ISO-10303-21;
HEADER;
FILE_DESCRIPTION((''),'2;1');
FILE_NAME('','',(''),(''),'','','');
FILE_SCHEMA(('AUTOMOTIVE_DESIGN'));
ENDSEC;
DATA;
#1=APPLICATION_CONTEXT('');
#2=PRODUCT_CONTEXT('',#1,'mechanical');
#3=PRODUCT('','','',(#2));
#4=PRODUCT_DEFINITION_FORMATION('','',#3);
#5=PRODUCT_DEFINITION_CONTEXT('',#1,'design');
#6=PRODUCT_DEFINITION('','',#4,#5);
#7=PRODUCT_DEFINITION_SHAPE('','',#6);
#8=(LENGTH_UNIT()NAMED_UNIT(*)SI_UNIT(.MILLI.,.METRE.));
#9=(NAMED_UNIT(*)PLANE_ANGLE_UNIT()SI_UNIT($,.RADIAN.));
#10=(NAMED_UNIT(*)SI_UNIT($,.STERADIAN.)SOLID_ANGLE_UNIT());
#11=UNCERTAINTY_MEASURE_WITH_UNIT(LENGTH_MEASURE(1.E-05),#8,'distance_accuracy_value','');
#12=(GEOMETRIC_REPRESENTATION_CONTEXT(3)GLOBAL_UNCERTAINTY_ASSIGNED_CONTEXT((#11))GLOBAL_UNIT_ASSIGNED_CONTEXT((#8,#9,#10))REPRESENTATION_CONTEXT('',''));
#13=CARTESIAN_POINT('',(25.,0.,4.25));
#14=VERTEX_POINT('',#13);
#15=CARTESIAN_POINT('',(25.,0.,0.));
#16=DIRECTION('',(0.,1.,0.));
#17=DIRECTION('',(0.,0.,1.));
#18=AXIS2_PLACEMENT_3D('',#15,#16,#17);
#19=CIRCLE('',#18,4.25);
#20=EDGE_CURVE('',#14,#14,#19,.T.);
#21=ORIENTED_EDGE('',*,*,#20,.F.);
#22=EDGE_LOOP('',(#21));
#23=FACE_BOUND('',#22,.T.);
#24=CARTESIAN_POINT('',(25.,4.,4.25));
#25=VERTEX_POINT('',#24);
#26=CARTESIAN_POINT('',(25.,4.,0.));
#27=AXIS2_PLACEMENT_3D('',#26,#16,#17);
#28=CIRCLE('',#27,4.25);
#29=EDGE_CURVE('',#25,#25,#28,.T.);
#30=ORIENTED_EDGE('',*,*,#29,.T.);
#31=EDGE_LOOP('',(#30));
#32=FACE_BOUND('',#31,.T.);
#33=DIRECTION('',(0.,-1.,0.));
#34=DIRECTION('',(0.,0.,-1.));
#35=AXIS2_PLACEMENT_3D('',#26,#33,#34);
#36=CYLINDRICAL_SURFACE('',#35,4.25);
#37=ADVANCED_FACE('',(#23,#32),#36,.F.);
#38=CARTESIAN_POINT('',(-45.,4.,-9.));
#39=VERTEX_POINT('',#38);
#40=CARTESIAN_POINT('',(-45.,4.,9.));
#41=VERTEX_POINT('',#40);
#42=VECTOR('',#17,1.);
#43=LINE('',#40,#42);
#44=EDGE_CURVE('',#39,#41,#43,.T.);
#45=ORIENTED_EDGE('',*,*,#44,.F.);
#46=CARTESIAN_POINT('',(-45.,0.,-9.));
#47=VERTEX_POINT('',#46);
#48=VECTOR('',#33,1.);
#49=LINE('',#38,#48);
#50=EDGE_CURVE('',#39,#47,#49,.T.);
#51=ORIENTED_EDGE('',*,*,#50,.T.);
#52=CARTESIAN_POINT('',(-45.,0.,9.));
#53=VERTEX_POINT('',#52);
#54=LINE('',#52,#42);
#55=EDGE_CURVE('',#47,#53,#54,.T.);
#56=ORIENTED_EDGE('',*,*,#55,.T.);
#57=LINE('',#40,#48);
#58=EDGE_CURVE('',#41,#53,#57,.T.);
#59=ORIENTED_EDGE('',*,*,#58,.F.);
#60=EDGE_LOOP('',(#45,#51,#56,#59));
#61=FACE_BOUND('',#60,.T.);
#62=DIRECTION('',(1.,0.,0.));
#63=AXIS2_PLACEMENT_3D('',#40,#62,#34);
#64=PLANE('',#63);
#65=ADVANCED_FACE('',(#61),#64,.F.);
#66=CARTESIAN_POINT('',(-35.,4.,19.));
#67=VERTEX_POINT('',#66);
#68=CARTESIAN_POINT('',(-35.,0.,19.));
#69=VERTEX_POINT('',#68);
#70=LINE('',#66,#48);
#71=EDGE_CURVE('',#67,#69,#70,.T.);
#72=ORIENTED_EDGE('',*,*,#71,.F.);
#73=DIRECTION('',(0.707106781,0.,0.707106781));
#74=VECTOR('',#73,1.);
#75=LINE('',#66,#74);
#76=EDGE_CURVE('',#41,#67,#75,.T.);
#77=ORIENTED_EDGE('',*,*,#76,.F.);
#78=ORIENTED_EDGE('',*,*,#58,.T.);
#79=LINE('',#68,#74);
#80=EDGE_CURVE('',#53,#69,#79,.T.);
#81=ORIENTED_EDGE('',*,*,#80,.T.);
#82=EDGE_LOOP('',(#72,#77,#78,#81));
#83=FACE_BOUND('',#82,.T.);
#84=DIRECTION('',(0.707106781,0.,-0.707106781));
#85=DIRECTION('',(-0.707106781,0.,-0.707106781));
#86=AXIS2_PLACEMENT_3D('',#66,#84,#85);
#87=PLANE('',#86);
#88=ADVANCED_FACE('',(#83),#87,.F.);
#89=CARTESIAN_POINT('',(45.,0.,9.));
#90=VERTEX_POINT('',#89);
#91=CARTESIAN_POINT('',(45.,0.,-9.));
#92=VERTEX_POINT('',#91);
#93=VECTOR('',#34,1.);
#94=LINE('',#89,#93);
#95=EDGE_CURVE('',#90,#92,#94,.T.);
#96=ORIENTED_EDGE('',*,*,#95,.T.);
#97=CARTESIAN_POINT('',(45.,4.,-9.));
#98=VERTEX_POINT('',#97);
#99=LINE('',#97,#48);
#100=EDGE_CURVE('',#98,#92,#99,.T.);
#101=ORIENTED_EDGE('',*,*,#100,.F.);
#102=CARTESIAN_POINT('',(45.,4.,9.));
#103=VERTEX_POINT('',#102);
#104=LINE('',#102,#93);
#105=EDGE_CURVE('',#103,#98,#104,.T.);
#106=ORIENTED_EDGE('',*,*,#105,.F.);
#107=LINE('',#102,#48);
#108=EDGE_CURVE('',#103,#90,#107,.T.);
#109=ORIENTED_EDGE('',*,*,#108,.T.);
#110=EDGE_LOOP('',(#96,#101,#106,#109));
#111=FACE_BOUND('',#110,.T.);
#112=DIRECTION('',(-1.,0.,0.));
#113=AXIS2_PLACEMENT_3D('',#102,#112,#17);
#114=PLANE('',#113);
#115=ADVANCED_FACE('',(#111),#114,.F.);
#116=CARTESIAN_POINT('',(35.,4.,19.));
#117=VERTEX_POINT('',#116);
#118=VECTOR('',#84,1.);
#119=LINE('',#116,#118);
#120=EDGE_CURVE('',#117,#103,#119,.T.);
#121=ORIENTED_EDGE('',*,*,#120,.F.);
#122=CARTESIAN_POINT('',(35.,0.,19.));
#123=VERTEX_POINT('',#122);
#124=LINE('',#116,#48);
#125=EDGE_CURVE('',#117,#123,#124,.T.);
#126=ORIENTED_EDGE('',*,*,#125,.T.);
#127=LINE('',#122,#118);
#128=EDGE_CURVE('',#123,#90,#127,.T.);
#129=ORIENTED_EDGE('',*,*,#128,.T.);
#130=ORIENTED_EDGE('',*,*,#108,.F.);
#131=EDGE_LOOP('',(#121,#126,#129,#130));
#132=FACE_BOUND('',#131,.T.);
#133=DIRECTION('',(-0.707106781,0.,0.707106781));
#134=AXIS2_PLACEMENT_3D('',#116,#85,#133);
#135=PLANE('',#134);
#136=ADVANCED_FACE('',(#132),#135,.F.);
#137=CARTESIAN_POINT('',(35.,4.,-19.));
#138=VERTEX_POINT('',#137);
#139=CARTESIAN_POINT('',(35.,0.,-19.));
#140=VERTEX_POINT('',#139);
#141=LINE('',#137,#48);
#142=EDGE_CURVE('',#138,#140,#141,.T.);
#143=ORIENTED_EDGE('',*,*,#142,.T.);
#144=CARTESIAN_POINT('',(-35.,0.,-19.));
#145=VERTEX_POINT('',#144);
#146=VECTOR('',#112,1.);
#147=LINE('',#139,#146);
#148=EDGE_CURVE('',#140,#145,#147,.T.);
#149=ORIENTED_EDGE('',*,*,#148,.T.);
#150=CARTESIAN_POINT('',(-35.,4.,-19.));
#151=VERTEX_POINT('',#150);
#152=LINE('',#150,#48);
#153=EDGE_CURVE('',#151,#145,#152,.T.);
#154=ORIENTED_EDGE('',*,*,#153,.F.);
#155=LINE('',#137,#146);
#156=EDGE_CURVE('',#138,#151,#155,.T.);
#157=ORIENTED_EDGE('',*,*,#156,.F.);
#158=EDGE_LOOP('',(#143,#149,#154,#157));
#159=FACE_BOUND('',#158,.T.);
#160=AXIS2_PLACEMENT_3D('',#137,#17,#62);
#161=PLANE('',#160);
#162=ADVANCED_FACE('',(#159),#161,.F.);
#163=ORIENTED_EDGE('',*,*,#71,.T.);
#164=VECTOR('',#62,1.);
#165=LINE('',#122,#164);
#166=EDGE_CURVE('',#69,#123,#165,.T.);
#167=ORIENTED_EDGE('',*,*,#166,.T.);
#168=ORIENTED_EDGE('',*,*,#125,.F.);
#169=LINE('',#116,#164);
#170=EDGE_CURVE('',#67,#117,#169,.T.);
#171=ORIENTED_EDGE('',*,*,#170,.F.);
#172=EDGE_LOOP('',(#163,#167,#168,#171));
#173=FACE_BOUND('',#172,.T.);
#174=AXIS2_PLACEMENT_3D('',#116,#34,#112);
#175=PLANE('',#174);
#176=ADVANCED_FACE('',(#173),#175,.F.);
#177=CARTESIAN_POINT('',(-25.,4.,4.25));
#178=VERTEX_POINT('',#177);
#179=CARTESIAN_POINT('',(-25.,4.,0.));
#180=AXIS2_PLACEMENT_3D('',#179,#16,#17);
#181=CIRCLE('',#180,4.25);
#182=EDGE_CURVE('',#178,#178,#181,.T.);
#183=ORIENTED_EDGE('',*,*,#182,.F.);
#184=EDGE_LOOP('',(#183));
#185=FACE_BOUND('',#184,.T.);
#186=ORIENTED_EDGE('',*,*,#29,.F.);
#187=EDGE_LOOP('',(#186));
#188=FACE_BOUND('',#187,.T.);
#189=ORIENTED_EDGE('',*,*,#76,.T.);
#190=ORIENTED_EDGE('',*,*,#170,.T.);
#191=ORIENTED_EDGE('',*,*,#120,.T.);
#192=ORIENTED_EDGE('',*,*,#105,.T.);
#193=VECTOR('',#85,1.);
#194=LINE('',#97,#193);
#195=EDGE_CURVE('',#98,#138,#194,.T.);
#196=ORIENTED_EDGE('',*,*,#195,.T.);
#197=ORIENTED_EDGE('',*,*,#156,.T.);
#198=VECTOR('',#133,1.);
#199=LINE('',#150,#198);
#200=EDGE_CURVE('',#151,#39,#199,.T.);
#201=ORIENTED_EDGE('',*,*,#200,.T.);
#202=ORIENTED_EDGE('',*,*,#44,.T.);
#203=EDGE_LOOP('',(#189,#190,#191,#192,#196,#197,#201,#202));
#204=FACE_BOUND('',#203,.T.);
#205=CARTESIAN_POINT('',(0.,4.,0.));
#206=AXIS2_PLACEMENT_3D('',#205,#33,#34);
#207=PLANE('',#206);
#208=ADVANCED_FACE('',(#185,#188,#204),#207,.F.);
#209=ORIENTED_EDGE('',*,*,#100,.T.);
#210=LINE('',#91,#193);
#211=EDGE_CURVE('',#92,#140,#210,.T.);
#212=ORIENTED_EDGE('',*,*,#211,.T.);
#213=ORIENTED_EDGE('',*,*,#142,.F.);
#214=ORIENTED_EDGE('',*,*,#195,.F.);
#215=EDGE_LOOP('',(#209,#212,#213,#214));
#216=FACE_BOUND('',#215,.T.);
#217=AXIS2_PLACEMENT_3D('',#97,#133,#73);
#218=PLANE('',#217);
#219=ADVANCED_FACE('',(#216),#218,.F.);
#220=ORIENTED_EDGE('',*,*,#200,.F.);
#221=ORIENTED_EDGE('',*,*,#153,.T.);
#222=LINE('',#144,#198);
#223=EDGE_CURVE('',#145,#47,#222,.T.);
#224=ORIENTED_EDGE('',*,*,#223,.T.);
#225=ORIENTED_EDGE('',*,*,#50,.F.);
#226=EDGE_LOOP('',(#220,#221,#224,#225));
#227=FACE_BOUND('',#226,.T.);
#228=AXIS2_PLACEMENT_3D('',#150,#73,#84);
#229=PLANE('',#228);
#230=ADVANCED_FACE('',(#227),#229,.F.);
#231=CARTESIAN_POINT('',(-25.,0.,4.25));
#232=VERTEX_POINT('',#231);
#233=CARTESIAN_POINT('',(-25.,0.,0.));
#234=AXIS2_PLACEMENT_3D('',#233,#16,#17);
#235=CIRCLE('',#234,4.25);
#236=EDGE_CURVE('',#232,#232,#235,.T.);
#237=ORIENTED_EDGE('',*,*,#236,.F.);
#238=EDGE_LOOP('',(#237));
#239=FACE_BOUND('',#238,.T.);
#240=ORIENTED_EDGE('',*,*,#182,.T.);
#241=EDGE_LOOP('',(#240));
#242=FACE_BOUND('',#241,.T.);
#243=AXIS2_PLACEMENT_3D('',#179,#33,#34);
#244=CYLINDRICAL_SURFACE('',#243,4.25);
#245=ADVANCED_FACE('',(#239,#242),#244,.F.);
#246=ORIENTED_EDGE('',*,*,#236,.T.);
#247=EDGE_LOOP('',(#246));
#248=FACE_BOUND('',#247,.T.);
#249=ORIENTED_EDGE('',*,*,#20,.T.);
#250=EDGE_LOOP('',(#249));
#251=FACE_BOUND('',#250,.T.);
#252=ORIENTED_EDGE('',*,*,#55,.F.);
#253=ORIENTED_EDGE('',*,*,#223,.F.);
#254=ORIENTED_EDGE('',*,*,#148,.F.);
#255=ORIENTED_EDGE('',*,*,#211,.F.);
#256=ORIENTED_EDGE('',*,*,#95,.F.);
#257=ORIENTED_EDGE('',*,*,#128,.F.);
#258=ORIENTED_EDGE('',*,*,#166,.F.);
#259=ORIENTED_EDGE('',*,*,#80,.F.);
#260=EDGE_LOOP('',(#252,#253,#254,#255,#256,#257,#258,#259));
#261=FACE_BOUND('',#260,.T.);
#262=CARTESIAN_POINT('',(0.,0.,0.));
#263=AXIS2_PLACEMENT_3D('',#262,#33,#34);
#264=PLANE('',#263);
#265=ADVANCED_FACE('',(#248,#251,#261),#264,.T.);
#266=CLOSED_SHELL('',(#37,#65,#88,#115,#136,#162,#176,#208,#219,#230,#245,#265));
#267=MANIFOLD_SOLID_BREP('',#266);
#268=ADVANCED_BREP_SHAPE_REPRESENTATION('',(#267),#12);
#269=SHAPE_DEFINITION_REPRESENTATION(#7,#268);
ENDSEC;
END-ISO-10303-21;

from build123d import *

# Parameters (mm, degrees)
SZKIC1_R                    = 4.25
DODANIE_WYCI_GNI_CIE1_DEPTH = 4


with BuildPart() as part:
    # Szkic1 → Dodanie-wyciągnięcie1 (new body)
    with BuildSketch(Plane(origin=(0, 0, 0), x_dir=(1, 0, 0), z_dir=(0, 1, 0))):
        Polygon((45, -9), (45, 9), (35, 19), (-35, 19), (-45, 9), (-45, -9), (-35, -19), (35, -19), align=None)
        with Locations(Location((25, 0, 0), (0, 0, 270))):
            Circle(SZKIC1_R, mode=Mode.SUBTRACT)
        with Locations(Location((-25, 0, 0), (0, 0, 270))):
            Circle(SZKIC1_R, mode=Mode.SUBTRACT)
    extrude(amount=DODANIE_WYCI_GNI_CIE1_DEPTH)


solid = part.part
